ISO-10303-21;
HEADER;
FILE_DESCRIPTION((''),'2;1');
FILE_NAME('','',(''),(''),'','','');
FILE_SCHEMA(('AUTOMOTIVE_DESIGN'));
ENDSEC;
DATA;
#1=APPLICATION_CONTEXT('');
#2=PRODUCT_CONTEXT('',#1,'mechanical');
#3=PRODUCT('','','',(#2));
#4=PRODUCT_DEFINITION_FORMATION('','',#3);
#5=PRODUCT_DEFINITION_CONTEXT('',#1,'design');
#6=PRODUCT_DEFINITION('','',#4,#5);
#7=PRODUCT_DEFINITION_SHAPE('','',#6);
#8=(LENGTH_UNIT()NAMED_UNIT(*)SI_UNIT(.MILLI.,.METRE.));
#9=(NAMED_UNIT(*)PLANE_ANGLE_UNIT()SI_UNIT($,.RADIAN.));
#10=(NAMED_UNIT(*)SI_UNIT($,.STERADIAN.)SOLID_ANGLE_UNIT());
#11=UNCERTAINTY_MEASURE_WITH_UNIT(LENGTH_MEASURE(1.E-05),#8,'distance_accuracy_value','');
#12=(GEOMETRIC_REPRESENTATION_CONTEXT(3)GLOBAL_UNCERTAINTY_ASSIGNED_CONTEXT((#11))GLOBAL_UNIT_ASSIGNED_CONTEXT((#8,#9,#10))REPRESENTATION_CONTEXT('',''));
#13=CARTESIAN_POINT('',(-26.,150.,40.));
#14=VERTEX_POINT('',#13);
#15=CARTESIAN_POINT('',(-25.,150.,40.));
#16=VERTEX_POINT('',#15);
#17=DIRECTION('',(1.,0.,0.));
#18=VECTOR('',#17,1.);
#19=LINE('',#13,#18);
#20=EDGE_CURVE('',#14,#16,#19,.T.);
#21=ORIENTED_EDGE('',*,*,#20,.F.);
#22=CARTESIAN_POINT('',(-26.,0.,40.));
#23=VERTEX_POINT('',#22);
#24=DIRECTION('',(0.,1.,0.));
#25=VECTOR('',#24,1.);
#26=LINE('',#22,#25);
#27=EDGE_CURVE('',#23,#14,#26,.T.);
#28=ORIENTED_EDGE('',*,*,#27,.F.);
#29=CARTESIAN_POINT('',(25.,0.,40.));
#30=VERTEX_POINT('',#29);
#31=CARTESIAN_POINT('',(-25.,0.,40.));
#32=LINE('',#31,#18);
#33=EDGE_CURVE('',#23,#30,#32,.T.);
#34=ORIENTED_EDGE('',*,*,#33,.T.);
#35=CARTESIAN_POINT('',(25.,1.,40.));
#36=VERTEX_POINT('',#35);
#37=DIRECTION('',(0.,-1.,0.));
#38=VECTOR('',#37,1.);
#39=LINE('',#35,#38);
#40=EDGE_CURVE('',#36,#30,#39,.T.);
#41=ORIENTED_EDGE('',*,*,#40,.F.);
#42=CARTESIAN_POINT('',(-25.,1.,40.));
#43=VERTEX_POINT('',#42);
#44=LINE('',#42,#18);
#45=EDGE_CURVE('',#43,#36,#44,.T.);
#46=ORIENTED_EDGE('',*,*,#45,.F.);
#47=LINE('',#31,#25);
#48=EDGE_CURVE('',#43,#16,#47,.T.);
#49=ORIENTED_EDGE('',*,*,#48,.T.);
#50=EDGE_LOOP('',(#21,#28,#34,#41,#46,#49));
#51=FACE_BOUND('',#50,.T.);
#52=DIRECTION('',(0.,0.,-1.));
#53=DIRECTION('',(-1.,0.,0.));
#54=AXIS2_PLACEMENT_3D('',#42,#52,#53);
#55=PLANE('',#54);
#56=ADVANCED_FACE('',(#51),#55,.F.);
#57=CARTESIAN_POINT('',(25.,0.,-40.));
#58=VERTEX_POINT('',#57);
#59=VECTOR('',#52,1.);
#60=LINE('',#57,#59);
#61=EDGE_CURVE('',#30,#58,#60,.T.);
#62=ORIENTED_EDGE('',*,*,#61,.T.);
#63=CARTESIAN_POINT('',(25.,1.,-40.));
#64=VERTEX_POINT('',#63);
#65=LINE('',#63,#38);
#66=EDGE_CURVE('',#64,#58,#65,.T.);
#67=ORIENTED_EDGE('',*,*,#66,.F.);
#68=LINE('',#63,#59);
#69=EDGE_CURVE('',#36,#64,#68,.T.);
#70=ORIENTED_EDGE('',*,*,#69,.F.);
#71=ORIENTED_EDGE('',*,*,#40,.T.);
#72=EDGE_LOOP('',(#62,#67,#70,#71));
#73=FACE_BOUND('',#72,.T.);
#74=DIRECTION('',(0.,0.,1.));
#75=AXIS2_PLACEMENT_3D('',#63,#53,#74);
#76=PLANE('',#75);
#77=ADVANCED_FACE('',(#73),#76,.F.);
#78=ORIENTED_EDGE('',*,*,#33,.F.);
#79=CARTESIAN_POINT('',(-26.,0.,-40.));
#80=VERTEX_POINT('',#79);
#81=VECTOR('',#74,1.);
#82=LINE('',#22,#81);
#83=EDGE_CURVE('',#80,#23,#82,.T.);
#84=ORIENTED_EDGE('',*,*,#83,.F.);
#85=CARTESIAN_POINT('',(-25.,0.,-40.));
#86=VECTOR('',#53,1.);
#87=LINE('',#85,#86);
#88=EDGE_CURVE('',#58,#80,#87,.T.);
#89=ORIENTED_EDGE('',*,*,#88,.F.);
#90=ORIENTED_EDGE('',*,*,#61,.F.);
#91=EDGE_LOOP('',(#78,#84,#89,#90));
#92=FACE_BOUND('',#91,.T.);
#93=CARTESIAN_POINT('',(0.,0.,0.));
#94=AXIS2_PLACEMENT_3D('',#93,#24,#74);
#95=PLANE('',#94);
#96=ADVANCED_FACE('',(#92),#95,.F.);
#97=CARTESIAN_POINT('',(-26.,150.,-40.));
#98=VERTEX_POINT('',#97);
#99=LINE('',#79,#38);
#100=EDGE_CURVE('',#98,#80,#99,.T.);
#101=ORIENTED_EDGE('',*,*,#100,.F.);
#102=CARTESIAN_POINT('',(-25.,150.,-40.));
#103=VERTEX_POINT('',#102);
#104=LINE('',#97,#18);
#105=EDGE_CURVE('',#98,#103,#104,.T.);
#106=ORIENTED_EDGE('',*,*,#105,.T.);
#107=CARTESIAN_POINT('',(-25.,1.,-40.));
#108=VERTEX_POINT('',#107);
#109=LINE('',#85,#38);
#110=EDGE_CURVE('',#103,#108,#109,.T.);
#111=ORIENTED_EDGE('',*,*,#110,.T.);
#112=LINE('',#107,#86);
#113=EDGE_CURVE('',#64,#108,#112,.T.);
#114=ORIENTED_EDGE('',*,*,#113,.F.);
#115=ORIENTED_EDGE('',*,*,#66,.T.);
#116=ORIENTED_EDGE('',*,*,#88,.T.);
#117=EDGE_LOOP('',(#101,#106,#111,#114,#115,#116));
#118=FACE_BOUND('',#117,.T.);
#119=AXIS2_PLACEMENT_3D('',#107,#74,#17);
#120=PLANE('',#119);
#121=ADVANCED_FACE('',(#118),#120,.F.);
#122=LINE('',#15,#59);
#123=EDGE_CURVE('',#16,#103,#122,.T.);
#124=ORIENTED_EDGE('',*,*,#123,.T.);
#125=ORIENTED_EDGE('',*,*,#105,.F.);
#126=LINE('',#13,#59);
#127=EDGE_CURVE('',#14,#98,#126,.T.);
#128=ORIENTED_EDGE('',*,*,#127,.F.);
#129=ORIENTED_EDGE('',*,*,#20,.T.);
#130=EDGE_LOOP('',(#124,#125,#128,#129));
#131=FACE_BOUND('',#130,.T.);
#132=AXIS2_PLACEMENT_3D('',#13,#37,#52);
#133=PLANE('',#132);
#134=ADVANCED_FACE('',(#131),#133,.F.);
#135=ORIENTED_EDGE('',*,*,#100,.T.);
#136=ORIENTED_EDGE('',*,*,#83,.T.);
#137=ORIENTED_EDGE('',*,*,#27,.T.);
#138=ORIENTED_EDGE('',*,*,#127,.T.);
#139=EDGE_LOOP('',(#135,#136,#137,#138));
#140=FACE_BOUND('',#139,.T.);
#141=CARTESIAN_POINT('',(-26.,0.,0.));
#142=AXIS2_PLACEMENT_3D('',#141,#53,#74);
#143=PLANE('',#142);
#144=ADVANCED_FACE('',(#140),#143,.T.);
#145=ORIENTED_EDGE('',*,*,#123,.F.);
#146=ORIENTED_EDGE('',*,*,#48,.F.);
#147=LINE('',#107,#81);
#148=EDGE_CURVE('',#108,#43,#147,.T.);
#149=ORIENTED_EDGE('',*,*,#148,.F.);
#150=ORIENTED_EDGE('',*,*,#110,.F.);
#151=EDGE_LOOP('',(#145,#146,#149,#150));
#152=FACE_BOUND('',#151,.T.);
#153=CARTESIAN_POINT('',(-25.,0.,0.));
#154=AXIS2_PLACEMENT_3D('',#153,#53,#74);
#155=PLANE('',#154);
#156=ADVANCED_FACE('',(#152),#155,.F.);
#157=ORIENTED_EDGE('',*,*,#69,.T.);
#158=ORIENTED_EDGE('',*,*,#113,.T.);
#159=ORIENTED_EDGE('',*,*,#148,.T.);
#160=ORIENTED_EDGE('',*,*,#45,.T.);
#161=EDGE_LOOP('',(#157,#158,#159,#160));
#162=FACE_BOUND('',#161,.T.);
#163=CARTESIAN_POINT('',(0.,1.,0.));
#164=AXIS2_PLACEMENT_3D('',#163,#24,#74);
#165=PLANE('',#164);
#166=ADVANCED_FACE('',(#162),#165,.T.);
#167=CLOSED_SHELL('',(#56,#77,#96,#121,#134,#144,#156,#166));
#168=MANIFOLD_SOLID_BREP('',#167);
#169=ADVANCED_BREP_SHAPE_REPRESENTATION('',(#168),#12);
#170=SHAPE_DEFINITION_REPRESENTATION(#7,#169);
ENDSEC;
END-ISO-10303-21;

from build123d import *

# Parameters (mm, degrees)
SKETCH1_W           = 50
SKETCH1_H           = 80
BOSS_EXTRUDE1_DEPTH = 1
SKETCH3_W           = 80
SKETCH3_H           = 150
BOSS_EXTRUDE2_DEPTH = 1


with BuildPart() as part:
    # Sketch1 → Boss-Extrude1 (new body)
    with BuildSketch(Plane(origin=(0, 0, 0), x_dir=(1, 0, 0), z_dir=(0, 1, 0))):
        Rectangle(SKETCH1_W, SKETCH1_H)
    extrude(amount=BOSS_EXTRUDE1_DEPTH)

    # Sketch3 → Boss-Extrude2 (add)
    with BuildSketch(Plane.ZY.offset(25)):
        with Locations((0, 75)):
            Rectangle(SKETCH3_W, SKETCH3_H)
    extrude(amount=BOSS_EXTRUDE2_DEPTH)


solid = part.part
